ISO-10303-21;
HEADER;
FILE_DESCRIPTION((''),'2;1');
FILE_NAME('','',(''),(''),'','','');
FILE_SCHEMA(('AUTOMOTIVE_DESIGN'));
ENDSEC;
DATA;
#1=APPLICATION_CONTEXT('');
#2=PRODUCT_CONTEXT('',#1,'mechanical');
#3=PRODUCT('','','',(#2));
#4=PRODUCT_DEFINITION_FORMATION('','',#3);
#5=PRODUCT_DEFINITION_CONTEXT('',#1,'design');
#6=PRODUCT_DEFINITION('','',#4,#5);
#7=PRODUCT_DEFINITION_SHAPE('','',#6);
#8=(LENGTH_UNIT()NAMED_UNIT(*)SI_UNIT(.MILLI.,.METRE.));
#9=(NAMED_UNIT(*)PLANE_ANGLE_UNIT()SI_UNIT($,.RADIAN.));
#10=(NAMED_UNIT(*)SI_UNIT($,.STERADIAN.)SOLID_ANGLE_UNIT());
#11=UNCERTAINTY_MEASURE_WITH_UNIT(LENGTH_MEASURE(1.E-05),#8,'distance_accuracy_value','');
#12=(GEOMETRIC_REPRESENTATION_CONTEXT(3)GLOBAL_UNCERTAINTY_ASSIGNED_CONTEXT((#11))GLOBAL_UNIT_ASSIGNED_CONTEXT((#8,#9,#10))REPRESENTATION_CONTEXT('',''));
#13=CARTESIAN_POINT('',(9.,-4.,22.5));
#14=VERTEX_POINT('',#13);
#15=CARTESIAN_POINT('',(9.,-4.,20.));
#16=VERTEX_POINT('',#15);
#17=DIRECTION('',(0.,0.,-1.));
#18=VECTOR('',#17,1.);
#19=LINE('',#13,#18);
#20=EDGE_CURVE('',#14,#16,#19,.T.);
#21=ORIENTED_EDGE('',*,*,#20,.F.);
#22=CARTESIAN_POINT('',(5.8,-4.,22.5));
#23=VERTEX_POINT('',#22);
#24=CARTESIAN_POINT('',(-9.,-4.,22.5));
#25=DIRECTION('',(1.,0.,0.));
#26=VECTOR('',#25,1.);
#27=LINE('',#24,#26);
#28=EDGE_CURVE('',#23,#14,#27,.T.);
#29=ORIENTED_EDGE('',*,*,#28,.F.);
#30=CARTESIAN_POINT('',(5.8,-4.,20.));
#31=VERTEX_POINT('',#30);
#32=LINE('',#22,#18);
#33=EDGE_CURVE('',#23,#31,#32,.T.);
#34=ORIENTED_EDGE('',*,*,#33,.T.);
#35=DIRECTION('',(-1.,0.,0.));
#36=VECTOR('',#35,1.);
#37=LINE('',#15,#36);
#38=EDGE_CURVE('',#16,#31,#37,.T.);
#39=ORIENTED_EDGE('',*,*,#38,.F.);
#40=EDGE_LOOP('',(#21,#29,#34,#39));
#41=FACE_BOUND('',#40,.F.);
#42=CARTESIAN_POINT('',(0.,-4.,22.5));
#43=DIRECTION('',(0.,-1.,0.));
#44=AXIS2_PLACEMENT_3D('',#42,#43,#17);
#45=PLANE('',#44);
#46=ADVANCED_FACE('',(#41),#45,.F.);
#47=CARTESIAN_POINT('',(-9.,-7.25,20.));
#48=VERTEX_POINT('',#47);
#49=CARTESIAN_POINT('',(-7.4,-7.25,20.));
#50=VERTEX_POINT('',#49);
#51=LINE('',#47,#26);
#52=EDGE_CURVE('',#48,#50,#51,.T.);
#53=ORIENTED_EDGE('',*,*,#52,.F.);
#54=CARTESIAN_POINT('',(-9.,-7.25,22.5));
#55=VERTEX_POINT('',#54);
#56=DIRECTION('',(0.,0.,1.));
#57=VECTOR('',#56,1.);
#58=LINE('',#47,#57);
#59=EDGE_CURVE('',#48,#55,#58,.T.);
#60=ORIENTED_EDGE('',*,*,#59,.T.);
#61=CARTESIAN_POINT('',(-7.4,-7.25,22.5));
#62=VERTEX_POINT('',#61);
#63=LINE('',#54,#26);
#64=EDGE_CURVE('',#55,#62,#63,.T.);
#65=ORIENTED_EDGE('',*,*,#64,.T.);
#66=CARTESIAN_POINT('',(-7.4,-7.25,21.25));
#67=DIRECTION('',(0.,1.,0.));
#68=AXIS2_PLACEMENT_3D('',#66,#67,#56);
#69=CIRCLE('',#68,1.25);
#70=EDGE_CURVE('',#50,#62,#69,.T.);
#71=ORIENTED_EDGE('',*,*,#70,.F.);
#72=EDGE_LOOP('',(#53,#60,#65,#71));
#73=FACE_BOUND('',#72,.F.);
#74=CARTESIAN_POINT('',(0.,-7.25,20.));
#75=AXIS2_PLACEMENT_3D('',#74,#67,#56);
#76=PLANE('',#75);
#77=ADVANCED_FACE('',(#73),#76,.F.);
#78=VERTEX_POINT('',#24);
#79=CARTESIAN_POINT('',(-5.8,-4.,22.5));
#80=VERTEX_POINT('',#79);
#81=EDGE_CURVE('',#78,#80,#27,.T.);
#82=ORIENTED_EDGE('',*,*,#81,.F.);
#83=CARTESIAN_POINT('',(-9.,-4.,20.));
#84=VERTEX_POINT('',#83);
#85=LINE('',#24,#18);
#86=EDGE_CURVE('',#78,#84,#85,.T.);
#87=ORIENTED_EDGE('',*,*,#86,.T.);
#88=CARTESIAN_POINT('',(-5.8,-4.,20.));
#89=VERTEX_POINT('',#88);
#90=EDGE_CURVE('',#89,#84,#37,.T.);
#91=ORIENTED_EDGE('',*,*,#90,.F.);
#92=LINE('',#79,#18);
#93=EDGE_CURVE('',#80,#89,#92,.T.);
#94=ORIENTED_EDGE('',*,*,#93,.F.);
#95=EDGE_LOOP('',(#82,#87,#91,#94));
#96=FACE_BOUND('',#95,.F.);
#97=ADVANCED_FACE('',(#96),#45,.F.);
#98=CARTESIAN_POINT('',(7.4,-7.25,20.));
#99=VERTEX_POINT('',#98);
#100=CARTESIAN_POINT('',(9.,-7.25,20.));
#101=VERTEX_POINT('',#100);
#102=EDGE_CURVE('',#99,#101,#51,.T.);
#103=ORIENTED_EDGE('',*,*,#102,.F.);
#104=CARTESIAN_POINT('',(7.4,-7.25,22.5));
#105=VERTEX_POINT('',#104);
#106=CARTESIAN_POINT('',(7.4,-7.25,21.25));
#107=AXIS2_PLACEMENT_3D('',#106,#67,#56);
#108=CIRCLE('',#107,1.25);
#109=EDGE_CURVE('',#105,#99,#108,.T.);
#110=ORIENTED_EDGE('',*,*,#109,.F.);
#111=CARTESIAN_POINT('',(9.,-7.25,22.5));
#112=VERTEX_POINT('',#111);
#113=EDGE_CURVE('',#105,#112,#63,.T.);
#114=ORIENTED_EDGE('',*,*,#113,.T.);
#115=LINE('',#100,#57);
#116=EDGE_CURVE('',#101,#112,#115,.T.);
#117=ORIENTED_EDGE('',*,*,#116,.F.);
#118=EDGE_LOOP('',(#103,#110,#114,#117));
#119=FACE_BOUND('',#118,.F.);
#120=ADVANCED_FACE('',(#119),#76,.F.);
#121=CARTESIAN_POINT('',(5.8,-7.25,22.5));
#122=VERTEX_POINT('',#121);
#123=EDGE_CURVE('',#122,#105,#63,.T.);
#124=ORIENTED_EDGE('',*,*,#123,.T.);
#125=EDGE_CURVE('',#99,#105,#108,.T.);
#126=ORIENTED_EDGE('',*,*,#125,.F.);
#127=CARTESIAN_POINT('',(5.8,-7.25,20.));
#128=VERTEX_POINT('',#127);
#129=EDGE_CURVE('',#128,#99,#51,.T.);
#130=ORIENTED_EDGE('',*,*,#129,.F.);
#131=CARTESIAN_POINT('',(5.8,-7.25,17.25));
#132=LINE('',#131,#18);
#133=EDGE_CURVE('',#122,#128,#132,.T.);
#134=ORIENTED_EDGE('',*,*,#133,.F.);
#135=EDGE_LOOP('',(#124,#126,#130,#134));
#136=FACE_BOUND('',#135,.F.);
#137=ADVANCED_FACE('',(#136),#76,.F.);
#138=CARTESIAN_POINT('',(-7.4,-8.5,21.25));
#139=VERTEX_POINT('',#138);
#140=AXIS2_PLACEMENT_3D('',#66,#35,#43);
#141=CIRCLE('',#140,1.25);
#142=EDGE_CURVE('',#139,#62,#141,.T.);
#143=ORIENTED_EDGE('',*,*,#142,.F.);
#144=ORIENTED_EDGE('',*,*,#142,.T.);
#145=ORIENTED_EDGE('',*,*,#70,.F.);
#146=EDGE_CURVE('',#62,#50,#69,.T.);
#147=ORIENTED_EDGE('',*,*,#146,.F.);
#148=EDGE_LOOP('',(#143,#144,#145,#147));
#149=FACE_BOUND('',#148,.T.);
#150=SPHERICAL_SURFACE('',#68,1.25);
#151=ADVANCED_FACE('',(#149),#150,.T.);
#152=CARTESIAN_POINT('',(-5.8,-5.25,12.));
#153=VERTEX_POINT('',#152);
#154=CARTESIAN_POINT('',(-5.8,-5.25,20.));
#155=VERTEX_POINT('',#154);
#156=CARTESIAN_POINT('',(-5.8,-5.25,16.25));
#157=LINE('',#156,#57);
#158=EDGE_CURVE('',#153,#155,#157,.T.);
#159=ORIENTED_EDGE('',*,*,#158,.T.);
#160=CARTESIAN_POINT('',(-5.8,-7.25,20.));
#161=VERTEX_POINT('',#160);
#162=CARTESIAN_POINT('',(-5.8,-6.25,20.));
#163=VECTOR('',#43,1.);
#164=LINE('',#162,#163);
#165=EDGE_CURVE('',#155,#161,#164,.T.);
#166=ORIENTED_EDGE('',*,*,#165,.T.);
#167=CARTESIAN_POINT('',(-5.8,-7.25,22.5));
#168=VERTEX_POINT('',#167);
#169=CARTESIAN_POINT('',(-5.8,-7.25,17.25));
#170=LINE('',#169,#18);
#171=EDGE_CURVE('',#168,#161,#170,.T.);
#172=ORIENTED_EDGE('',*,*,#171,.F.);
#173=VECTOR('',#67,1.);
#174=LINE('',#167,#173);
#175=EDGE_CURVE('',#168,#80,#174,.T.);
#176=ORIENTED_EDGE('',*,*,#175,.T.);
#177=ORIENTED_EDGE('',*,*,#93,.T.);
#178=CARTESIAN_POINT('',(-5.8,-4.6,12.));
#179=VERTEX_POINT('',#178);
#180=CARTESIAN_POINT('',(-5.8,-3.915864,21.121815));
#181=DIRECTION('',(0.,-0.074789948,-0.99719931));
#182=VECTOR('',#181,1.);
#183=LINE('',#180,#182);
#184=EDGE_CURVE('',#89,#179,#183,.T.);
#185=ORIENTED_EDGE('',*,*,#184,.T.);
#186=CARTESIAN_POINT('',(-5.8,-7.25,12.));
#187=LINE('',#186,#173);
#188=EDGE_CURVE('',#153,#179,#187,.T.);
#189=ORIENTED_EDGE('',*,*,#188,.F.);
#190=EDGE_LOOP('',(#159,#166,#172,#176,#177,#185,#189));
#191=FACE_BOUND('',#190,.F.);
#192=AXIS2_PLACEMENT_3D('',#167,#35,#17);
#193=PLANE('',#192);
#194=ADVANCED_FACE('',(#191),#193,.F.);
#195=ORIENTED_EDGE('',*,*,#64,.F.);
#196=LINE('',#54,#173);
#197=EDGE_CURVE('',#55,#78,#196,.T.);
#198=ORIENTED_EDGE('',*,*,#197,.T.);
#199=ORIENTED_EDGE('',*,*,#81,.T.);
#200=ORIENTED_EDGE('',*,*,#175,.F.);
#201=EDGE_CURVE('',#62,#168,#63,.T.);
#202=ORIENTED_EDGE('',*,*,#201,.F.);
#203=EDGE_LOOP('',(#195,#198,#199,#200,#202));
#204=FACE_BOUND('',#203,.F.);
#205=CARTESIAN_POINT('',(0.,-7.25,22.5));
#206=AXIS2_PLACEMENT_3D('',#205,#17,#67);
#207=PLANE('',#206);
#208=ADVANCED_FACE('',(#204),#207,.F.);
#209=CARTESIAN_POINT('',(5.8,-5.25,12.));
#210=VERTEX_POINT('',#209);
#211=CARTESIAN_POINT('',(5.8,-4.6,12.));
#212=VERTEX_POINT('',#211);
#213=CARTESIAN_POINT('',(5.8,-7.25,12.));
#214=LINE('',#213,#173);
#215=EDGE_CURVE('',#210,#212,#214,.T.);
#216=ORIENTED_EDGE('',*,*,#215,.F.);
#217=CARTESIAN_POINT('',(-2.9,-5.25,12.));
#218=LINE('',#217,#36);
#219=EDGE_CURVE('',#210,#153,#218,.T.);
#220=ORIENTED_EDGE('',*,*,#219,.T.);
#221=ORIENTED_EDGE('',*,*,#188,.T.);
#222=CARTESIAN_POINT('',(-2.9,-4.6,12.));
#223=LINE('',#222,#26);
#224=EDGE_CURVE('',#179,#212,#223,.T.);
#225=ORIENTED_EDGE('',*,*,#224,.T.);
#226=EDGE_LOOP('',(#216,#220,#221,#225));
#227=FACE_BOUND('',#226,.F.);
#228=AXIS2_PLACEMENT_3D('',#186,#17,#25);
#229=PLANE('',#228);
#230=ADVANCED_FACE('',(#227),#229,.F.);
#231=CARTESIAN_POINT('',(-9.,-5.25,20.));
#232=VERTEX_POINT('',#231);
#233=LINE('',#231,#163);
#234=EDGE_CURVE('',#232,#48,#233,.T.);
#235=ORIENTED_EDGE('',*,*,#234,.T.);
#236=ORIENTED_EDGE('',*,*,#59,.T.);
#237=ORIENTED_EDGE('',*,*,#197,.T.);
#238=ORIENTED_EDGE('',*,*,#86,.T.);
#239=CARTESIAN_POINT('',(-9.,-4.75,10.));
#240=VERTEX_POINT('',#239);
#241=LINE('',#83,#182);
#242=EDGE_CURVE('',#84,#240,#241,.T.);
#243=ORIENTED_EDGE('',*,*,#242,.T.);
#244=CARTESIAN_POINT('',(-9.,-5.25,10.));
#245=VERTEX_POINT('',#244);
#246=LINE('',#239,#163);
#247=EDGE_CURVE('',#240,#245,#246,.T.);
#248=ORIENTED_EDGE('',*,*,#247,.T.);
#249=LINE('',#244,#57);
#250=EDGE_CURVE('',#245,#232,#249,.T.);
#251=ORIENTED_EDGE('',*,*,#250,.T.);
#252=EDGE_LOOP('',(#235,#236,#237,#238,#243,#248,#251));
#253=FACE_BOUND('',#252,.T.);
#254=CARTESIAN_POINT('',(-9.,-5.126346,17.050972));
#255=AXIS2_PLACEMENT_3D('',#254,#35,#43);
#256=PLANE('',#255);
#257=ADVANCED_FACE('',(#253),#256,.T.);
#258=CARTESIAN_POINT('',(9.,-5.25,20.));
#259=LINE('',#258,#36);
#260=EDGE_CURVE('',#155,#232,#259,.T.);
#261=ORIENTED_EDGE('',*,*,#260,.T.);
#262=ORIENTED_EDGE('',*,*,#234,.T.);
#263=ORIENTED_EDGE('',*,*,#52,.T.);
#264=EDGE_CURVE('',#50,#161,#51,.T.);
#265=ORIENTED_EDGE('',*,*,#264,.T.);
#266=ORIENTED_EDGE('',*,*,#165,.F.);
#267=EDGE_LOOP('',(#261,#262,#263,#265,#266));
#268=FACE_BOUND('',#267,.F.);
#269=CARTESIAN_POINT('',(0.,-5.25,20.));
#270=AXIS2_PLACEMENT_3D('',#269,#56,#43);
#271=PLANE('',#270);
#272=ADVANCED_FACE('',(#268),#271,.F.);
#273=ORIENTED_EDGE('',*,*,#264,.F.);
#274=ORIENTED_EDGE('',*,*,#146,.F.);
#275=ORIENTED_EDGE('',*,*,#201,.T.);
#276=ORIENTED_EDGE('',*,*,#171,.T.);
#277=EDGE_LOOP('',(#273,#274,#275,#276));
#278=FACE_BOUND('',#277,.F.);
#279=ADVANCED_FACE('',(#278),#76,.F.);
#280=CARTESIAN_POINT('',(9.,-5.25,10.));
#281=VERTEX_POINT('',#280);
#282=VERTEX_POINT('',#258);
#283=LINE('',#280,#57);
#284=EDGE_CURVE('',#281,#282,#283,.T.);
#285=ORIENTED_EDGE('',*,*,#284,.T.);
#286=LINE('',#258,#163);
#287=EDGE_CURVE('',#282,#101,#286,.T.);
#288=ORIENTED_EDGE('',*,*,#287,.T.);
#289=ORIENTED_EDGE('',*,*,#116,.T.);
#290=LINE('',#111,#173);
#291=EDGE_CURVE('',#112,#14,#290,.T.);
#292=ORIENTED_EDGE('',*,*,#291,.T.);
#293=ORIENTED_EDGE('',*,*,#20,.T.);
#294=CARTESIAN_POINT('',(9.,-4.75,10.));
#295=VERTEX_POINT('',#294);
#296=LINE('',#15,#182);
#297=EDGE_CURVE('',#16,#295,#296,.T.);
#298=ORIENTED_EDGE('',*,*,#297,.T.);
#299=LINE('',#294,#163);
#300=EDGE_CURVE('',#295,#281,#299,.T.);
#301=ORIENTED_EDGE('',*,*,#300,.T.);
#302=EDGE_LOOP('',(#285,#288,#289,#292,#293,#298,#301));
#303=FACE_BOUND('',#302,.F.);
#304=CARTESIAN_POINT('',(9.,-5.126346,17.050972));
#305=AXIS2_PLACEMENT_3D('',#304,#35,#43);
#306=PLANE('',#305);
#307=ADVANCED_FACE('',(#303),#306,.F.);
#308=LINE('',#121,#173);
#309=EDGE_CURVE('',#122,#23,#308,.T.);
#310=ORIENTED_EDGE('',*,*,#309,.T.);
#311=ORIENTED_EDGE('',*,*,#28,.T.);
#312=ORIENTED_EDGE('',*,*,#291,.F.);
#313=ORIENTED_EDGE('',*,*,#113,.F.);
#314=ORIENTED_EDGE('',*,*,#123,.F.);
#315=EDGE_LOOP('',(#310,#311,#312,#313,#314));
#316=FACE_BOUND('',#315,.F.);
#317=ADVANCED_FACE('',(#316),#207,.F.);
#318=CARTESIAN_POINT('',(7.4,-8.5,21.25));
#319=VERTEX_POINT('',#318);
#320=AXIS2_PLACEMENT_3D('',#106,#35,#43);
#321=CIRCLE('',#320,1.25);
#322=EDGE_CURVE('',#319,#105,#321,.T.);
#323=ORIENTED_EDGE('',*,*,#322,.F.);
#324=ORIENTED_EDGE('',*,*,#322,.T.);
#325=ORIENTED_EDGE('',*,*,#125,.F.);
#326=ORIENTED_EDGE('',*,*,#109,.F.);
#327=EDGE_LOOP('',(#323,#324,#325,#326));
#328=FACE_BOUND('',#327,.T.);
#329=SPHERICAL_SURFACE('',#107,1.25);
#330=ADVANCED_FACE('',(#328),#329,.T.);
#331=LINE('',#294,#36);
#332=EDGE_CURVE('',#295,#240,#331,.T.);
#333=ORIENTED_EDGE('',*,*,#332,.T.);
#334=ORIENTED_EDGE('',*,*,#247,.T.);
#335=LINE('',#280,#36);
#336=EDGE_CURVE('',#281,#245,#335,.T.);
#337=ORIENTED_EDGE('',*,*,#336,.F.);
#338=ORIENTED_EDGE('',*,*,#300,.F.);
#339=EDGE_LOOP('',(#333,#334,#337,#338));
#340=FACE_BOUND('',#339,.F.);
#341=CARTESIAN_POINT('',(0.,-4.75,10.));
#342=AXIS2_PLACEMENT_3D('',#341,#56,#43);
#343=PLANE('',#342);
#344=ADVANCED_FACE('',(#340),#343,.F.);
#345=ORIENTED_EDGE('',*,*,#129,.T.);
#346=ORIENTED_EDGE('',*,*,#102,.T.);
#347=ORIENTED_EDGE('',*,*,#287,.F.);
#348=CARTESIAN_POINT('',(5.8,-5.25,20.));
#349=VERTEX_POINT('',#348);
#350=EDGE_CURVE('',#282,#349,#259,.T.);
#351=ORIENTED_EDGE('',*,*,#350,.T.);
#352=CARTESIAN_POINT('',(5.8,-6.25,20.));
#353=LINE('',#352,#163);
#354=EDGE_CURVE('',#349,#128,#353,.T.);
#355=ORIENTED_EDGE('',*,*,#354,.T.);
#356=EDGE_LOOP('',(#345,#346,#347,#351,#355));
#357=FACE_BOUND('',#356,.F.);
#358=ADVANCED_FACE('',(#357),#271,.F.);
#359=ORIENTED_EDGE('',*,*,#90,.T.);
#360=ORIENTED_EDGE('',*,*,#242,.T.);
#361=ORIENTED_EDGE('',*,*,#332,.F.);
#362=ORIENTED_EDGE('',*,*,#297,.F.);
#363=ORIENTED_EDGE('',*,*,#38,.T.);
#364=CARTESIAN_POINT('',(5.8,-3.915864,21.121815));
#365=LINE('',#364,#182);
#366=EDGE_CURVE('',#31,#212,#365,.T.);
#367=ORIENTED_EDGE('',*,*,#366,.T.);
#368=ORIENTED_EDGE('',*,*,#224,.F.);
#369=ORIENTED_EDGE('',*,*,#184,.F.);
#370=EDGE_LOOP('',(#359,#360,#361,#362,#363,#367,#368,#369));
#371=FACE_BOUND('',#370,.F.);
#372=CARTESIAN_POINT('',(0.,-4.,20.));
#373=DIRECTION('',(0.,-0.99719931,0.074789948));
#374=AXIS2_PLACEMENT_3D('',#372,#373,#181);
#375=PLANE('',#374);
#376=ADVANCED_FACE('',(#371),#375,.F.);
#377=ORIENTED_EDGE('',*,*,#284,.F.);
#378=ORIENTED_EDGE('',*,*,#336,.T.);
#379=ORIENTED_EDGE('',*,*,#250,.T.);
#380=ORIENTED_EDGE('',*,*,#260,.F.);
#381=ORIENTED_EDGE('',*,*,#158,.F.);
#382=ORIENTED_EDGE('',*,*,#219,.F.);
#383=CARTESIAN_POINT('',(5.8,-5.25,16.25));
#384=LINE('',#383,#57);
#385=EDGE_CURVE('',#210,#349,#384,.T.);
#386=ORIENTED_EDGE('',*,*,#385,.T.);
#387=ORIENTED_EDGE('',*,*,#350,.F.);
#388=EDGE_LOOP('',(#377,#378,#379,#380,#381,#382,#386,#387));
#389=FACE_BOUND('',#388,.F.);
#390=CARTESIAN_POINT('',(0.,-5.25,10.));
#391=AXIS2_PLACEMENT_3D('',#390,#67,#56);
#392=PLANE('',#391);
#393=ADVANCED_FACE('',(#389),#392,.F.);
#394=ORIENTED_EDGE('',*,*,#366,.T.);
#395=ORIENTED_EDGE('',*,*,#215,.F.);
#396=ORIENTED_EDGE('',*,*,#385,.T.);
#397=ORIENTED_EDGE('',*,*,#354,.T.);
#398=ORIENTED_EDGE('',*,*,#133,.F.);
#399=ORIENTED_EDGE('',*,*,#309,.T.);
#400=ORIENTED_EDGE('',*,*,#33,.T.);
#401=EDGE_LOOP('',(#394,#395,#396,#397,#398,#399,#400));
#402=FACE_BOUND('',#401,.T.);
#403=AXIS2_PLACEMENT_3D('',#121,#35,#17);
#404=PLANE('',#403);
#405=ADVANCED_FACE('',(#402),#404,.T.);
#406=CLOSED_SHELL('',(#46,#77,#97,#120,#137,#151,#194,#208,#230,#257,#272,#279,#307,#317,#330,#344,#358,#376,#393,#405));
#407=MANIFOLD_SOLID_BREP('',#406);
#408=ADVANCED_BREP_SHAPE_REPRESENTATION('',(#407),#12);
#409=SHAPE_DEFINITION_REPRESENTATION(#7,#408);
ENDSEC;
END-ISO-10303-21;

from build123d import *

# Parameters (mm, degrees)
PAD_DEPTH    = 9
SKETCH001_W  = 10.5
SKETCH001_H  = 11.6
POCKET_DEPTH = 5


with BuildPart() as part:
    # Sketch → Pad (new body, symmetric)
    with BuildSketch(Plane.YZ):
        Polygon((-4, 22.5), (-4, 20), (-4.75, 10), (-5.25, 10), (-5.25, 20), (-7.25, 20), (-7.25, 22.5), align=None)
    extrude(amount=PAD_DEPTH, both=True)

    # Sketch001 (on Face6 of Pad) → Pocket (cut)
    with BuildSketch(Plane(origin=(0, -7.25, 0), x_dir=(0, 0, -1), z_dir=(0, -1, 0))):
        with Locations((-17.25, 0)):
            Rectangle(SKETCH001_W, SKETCH001_H)
    extrude(amount=-POCKET_DEPTH, mode=Mode.SUBTRACT)

    # Sphere → Sphere (revolve)
    with BuildSketch(Plane(origin=(7.4, -7.25, 21.25), x_dir=(0, 0, 1), z_dir=(-1, 0, 0))):
        with BuildLine():
            ThreePointArc((0, -1.25), (1.25, 0), (0, 1.25))
            Line((0, 1.25), (0, -1.25))
        make_face()
    revolve(axis=Axis((7.4, -7.25, 21.25), (0, 1, 0)))

    # Sphere001 → Sphere001 (revolve)
    with BuildSketch(Plane(origin=(-7.4, -7.25, 21.25), x_dir=(0, 0, 1), z_dir=(-1, 0, 0))):
        with BuildLine():
            ThreePointArc((0, -1.25), (1.25, 0), (0, 1.25))
            Line((0, 1.25), (0, -1.25))
        make_face()
    revolve(axis=Axis((-7.4, -7.25, 21.25), (0, 1, 0)))


solid = part.part
